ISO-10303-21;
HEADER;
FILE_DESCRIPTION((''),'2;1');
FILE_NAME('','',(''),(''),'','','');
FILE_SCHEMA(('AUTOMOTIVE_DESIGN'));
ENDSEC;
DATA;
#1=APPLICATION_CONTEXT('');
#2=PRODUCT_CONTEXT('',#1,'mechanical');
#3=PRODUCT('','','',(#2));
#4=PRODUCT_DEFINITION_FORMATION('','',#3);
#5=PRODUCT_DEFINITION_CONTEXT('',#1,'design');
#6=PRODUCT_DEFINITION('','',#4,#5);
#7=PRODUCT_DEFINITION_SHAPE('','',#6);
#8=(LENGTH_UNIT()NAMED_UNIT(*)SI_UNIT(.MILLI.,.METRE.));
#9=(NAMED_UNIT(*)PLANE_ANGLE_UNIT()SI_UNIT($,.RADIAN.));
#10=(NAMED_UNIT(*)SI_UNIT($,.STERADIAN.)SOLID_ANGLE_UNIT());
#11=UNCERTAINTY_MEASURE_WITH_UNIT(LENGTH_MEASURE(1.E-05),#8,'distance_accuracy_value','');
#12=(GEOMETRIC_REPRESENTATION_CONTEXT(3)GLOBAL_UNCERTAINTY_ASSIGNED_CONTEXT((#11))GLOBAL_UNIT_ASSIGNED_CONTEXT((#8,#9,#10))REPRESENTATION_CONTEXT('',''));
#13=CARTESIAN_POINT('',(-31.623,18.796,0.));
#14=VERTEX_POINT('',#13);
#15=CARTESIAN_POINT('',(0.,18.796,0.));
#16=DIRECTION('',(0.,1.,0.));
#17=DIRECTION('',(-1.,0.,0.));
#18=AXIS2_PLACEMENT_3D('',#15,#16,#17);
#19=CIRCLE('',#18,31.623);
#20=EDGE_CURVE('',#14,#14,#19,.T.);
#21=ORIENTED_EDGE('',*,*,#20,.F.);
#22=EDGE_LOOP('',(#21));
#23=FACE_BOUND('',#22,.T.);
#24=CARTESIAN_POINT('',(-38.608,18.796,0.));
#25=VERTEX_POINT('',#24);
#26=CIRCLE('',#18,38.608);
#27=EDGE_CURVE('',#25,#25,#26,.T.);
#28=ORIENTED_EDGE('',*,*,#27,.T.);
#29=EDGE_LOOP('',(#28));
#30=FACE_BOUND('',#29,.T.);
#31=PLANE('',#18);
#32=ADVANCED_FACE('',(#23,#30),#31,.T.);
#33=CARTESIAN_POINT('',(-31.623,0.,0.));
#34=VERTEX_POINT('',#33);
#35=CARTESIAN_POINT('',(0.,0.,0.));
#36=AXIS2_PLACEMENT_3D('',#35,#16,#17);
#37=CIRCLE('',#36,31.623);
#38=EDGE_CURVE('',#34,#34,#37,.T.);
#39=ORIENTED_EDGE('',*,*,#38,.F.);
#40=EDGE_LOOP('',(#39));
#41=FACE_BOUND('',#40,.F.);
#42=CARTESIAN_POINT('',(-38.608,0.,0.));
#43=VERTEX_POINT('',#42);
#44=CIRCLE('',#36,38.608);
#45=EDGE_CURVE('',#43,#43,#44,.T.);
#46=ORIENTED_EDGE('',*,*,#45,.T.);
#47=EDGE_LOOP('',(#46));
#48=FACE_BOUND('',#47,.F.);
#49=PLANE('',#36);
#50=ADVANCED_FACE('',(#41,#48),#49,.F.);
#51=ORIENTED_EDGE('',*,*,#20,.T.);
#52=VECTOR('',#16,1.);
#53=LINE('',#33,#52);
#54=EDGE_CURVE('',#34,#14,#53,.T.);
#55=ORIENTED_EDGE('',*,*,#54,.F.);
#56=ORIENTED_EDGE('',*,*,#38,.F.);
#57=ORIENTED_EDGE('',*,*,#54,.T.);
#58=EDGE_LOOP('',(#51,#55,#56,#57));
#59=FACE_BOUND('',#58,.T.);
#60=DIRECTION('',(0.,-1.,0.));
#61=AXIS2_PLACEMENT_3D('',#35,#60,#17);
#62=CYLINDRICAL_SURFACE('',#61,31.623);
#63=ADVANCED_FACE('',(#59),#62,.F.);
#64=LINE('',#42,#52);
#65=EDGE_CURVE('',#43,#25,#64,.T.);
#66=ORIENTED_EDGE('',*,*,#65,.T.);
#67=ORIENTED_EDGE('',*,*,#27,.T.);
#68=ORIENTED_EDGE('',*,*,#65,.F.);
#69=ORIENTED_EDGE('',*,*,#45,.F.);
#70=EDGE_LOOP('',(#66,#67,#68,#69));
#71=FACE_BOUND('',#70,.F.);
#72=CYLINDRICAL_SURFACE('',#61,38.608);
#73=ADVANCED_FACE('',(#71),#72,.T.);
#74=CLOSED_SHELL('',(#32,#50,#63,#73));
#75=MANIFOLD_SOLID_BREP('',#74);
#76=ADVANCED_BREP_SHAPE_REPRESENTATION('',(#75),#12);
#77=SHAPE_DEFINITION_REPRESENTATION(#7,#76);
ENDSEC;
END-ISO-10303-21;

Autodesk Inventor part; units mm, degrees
ref_plane "YZ Plane" through (0, 0, 0) normal (1, 0, 0) x (0, 1, 0)
ref_plane "XZ Plane" through (0, 0, 0) normal (0, 1, 0) x (-1, 0, 0)
ref_plane "XY Plane" through (0, 0, 0) normal (0, 0, 1) x (1, 0, 0)
sketch "Sketch1" plane through (0, 0, 0) normal (0, 1, 0) x (-1, 0, 0)
  circle A0 centre (0, 0) radius 31.623
  circle A1 centre (0, 0) radius 38.608
  dimension "d0" = 63.246
  dimension "d1" = 77.216
extrude "Extrusion1" add sketch "Sketch1" along normal blind 18.796
properties part number "Oring"
